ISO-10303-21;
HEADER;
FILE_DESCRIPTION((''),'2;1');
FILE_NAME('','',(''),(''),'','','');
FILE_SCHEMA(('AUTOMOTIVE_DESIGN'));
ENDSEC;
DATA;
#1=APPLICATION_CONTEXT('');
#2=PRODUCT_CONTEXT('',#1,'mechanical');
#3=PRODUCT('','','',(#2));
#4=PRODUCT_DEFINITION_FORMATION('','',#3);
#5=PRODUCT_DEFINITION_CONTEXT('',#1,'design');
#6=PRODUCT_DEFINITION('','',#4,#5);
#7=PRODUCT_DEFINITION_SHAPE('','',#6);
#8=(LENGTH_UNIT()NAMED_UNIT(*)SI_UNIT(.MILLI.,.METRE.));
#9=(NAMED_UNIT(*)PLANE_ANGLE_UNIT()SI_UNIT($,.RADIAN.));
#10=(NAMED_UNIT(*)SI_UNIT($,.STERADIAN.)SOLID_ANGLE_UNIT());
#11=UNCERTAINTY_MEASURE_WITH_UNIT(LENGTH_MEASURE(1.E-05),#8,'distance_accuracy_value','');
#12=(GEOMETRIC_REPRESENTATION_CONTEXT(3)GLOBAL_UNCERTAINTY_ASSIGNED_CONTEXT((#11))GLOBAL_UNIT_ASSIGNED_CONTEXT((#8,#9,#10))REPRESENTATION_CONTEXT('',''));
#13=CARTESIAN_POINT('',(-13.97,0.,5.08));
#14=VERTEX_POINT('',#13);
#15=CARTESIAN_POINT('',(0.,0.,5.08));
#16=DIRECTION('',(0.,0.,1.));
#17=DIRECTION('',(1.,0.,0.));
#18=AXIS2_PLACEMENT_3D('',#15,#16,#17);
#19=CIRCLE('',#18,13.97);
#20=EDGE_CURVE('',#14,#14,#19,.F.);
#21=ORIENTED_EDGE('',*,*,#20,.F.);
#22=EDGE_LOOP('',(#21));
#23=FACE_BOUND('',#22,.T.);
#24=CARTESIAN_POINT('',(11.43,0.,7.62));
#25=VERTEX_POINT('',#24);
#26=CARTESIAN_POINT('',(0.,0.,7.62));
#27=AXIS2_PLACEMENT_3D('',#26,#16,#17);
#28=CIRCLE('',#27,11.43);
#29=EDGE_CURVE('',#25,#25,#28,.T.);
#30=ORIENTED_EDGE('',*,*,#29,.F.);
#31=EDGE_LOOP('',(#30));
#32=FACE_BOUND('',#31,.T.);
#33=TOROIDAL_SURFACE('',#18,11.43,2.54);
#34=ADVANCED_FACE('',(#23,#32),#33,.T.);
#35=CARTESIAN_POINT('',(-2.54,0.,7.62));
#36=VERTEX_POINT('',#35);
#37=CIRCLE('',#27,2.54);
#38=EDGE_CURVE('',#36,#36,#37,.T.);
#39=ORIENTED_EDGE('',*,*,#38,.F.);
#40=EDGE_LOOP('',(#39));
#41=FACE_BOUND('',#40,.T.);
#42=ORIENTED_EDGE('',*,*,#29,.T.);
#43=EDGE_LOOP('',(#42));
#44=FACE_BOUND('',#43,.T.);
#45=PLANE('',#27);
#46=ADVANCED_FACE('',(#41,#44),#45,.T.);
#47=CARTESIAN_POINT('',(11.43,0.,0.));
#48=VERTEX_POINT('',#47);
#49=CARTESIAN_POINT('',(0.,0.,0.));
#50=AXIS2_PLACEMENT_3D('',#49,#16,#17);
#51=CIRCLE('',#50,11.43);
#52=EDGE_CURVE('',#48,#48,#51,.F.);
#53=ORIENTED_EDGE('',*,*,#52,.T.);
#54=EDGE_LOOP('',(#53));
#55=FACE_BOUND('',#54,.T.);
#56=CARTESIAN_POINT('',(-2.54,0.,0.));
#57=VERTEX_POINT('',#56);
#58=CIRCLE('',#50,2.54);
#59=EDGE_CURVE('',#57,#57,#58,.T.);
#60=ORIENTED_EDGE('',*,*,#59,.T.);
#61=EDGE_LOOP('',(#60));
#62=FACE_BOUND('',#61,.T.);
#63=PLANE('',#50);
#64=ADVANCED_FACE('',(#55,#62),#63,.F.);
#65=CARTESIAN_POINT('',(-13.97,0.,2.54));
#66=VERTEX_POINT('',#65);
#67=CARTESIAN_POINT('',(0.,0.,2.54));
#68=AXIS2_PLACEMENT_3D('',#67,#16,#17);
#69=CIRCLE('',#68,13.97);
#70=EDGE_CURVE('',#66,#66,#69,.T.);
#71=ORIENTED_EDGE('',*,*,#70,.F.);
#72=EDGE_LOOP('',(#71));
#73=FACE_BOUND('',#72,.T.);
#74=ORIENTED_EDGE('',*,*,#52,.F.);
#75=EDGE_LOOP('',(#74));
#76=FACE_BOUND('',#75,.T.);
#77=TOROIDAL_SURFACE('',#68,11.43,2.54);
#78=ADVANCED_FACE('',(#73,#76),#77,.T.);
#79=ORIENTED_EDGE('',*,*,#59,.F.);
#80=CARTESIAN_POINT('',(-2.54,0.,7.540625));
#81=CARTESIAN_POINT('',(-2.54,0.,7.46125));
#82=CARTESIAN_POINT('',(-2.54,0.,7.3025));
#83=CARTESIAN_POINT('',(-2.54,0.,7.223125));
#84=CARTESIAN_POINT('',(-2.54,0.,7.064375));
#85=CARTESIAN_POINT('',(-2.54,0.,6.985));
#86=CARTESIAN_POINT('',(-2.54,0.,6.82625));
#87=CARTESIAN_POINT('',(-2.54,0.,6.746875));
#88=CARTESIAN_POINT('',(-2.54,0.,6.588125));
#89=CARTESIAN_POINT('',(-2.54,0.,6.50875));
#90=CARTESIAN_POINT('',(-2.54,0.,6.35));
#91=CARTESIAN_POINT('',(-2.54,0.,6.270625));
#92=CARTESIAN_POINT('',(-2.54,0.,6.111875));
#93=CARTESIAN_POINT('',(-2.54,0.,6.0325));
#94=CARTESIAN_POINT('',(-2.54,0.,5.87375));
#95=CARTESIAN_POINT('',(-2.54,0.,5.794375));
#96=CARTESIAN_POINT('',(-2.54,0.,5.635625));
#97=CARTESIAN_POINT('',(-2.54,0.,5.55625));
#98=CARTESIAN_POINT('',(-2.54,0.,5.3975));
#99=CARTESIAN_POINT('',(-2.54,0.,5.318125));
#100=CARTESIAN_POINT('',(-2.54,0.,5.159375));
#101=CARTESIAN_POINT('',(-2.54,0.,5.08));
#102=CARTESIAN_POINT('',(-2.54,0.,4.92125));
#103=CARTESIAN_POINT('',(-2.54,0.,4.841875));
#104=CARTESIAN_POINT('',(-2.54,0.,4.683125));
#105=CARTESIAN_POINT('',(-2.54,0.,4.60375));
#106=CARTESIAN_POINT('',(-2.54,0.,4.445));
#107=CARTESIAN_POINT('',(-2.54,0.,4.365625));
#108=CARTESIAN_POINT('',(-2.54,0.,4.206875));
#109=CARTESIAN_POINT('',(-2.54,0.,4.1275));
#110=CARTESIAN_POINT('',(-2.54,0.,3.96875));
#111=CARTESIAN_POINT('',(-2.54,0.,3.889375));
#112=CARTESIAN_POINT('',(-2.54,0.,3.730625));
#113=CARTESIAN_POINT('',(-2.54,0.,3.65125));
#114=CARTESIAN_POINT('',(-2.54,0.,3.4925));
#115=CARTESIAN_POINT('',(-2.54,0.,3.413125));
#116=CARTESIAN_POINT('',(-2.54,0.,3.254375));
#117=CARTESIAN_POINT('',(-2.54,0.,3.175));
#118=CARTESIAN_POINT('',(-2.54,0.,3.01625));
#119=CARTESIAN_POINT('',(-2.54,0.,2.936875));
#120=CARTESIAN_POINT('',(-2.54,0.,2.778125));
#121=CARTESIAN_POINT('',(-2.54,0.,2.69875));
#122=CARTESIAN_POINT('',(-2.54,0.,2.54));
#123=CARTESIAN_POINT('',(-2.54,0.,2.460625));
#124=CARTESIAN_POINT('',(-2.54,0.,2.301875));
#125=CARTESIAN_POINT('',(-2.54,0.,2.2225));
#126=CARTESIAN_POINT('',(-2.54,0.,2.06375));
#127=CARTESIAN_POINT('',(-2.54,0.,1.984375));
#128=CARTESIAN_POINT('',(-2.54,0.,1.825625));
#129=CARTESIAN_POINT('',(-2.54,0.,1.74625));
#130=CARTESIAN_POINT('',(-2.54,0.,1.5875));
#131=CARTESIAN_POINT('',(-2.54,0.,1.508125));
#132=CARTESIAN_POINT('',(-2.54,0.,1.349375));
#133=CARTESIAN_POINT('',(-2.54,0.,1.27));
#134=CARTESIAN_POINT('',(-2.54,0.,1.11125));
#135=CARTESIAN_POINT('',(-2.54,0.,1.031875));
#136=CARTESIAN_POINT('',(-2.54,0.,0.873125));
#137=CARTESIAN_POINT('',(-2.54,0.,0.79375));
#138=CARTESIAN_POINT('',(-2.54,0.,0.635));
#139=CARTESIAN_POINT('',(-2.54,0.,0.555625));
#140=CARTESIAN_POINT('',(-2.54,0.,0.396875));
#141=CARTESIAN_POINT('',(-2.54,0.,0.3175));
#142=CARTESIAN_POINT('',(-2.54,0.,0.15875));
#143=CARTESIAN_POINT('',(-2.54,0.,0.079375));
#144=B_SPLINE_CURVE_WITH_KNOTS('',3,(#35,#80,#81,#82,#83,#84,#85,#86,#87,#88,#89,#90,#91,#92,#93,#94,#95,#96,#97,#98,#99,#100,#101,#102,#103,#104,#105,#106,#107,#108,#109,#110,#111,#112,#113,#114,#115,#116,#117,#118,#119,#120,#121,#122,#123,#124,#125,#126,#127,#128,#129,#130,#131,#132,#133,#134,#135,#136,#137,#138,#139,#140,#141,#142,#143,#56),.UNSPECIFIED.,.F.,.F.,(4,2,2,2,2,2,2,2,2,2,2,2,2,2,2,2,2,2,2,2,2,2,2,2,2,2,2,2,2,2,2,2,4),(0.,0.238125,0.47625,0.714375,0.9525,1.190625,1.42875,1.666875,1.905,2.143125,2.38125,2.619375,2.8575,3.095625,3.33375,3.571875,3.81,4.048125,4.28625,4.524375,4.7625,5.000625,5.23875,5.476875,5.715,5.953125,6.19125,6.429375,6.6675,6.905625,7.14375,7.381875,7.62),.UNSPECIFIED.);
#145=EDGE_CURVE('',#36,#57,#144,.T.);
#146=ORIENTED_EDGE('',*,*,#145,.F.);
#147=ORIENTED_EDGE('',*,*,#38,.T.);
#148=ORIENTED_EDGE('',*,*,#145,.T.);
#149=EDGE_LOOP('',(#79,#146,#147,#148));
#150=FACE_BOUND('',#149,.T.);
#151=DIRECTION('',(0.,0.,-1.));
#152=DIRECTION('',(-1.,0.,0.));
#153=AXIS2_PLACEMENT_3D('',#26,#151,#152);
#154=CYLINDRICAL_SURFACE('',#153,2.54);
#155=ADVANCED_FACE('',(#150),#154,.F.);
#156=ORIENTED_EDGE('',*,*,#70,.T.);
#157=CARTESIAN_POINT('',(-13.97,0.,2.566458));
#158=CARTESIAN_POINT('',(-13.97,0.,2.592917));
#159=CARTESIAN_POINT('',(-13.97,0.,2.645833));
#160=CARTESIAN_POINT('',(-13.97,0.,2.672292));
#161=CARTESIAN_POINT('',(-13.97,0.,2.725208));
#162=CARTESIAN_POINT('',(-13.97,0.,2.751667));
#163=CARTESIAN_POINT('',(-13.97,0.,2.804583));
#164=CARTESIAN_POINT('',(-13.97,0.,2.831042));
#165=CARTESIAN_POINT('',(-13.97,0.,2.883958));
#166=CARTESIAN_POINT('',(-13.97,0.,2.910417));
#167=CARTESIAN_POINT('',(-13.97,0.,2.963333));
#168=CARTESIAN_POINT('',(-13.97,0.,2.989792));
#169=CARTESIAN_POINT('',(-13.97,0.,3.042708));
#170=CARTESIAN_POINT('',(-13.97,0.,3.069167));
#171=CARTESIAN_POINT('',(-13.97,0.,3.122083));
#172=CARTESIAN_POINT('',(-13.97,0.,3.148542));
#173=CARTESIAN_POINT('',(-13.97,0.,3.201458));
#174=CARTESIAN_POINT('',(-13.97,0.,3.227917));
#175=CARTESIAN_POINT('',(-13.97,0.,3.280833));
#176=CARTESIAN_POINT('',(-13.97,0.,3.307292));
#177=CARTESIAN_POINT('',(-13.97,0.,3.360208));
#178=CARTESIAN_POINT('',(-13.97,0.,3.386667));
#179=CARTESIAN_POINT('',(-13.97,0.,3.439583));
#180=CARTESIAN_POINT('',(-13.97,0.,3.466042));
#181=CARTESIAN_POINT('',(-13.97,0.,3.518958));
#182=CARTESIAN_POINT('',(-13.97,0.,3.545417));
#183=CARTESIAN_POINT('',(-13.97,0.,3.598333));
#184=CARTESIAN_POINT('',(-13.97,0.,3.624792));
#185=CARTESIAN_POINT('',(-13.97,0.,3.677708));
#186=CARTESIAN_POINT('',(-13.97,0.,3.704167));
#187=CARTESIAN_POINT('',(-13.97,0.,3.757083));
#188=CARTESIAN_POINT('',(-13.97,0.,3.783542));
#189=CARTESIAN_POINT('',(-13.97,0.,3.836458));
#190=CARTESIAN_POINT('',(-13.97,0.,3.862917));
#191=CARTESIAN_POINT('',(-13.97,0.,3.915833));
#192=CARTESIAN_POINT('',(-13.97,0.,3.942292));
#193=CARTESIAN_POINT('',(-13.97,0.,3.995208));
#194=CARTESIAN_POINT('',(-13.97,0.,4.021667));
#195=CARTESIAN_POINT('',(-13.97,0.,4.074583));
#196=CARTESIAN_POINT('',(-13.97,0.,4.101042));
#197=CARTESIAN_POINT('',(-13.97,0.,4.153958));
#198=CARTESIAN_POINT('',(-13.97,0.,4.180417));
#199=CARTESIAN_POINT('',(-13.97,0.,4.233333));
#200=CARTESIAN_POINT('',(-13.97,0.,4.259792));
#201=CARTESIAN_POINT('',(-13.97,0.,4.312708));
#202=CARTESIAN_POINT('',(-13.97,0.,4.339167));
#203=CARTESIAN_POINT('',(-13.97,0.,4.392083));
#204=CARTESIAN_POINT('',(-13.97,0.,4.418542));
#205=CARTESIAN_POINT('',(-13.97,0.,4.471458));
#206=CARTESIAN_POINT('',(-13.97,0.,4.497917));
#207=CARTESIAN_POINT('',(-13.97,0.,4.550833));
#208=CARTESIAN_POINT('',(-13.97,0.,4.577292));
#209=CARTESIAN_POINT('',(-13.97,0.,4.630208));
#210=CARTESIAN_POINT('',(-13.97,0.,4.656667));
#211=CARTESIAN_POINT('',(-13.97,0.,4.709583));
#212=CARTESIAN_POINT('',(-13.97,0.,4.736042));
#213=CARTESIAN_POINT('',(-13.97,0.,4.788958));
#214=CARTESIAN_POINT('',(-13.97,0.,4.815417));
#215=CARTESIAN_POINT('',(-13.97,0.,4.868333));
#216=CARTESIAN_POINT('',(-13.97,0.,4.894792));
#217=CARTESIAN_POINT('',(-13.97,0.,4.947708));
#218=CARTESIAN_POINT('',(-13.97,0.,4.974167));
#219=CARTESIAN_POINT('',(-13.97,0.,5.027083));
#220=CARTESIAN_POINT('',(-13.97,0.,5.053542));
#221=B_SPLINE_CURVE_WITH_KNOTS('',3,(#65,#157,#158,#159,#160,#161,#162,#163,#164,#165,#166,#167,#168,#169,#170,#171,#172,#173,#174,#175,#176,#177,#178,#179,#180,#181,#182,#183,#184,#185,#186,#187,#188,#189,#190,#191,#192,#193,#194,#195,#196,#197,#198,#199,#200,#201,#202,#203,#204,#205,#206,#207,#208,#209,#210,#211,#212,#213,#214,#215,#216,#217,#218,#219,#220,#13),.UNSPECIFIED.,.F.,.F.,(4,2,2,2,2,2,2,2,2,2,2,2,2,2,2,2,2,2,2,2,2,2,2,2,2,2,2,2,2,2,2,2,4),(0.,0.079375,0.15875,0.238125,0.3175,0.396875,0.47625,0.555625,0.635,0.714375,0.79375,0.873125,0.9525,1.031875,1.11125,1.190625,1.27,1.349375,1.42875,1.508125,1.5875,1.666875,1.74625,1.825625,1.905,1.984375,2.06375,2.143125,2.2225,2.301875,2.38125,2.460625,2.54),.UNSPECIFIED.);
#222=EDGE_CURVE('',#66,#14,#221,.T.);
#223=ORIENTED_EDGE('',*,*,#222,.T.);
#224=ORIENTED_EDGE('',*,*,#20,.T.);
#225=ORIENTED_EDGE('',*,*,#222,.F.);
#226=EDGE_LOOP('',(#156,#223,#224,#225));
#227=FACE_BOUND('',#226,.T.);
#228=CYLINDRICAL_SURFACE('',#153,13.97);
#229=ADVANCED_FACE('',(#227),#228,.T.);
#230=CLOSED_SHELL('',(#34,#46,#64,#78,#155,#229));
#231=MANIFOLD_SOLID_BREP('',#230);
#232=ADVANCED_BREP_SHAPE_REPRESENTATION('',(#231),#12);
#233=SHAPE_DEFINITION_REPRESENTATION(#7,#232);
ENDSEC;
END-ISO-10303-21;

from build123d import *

# Parameters (mm, degrees)
SKETCH2_R           = 13.97
SKETCH2_R_2         = 2.54
BOSS_EXTRUDE1_DEPTH = 7.62
FILLET1_R           = 2.54


with BuildPart() as part:
    # Sketch2 → Boss-Extrude1 (new body)
    with BuildSketch(Plane.XY):
        with Locations(Location((0, 0, 0), (0, 0, 180))):
            Circle(SKETCH2_R)
        with Locations(Location((0, 0, 0), (0, 0, 180))):
            Circle(SKETCH2_R_2, mode=Mode.SUBTRACT)
    extrude(amount=BOSS_EXTRUDE1_DEPTH)

    # Fillet1
    fillet1_edges = [part.edges().sort_by_distance(p)[0] for p in [
        (13.97, 0, 0),
        (13.97, 0, 7.62),
    ]]
    fillet(fillet1_edges, radius=FILLET1_R)


solid = part.part
